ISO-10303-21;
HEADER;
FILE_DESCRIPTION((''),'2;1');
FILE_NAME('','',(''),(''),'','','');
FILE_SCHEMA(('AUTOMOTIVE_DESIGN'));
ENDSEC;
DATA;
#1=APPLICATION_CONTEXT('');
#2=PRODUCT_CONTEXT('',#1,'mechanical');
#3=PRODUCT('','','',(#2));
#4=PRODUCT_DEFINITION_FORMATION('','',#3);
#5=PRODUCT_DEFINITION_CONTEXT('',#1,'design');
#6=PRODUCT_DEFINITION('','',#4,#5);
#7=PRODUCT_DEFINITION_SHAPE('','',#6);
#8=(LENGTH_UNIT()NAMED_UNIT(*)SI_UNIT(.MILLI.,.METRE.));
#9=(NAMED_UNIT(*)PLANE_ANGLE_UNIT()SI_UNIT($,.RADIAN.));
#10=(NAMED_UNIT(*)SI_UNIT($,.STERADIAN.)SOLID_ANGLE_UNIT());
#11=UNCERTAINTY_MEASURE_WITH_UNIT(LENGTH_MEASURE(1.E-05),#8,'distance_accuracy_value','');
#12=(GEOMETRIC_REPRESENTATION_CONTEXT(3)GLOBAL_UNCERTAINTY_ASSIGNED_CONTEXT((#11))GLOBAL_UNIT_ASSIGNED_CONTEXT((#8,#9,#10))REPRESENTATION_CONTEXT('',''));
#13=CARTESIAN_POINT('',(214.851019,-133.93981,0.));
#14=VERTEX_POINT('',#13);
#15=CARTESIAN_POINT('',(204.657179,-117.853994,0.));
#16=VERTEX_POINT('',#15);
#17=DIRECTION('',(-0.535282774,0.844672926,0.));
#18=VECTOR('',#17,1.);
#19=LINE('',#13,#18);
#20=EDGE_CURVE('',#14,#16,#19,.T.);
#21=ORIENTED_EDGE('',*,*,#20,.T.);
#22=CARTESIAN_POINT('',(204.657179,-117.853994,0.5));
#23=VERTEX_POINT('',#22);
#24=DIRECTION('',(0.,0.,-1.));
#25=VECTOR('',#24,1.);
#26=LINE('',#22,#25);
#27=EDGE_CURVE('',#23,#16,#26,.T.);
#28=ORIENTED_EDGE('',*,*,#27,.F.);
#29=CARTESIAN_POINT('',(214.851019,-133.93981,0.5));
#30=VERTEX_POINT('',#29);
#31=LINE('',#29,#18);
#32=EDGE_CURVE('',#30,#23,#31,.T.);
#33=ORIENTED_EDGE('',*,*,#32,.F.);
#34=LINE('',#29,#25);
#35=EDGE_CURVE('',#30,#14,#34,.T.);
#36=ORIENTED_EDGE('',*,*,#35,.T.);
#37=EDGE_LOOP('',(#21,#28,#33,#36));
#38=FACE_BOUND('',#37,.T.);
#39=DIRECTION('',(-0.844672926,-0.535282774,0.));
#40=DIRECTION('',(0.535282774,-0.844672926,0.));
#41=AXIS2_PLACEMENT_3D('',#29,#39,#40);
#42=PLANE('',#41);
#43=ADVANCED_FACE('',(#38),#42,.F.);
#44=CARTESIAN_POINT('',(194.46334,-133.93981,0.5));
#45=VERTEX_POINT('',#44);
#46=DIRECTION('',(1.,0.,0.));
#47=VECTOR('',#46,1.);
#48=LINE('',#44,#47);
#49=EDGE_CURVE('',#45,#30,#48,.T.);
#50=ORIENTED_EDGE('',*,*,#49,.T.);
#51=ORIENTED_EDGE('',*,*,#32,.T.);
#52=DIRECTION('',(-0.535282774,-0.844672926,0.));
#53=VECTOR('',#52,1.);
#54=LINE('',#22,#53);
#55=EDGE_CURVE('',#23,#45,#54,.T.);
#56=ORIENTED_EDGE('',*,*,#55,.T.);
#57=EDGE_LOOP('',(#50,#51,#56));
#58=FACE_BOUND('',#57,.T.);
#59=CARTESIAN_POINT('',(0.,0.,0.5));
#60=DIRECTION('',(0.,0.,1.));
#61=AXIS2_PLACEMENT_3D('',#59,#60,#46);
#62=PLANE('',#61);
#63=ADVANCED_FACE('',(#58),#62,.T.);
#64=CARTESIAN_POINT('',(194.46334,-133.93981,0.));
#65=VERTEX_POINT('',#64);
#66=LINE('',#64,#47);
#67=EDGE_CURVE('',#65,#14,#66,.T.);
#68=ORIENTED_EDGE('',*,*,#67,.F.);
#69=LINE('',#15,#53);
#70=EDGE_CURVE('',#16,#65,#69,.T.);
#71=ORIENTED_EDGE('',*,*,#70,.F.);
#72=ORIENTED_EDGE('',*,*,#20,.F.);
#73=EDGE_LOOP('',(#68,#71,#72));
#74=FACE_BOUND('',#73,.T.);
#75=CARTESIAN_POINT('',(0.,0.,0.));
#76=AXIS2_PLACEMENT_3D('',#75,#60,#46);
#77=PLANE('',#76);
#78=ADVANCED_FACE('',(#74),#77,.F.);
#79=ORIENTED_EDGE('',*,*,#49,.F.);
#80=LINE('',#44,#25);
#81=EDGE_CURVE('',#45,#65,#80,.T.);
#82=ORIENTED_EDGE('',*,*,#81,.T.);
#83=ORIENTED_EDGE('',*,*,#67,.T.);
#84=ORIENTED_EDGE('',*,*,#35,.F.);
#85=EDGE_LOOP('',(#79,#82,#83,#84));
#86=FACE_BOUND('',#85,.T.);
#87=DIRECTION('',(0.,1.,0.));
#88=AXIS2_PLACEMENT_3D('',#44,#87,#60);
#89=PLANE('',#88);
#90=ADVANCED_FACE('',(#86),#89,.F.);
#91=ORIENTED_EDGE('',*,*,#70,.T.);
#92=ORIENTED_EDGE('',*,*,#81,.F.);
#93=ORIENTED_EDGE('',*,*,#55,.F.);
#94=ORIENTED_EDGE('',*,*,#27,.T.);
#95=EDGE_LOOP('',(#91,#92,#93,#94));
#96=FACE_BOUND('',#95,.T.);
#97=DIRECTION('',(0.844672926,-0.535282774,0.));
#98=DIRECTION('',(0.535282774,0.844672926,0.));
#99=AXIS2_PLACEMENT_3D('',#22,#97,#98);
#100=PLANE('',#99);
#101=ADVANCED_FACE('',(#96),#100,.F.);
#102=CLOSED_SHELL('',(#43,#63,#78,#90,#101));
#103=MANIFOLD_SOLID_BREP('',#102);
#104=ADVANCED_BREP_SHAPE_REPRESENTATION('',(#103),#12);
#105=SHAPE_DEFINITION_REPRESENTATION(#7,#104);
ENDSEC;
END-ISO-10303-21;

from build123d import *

# Parameters (mm, degrees)
BOSS_EXTRUDE1_DEPTH = 0.5


with BuildPart() as part:
    # Sketch1 → Boss-Extrude1 (new body)
    with BuildSketch(Plane.XY):
        Polygon((214.8510188, -133.939809577), (204.657179454, -117.853993789), (194.463340109, -133.939809577), align=None)
    extrude(amount=BOSS_EXTRUDE1_DEPTH)


solid = part.part
